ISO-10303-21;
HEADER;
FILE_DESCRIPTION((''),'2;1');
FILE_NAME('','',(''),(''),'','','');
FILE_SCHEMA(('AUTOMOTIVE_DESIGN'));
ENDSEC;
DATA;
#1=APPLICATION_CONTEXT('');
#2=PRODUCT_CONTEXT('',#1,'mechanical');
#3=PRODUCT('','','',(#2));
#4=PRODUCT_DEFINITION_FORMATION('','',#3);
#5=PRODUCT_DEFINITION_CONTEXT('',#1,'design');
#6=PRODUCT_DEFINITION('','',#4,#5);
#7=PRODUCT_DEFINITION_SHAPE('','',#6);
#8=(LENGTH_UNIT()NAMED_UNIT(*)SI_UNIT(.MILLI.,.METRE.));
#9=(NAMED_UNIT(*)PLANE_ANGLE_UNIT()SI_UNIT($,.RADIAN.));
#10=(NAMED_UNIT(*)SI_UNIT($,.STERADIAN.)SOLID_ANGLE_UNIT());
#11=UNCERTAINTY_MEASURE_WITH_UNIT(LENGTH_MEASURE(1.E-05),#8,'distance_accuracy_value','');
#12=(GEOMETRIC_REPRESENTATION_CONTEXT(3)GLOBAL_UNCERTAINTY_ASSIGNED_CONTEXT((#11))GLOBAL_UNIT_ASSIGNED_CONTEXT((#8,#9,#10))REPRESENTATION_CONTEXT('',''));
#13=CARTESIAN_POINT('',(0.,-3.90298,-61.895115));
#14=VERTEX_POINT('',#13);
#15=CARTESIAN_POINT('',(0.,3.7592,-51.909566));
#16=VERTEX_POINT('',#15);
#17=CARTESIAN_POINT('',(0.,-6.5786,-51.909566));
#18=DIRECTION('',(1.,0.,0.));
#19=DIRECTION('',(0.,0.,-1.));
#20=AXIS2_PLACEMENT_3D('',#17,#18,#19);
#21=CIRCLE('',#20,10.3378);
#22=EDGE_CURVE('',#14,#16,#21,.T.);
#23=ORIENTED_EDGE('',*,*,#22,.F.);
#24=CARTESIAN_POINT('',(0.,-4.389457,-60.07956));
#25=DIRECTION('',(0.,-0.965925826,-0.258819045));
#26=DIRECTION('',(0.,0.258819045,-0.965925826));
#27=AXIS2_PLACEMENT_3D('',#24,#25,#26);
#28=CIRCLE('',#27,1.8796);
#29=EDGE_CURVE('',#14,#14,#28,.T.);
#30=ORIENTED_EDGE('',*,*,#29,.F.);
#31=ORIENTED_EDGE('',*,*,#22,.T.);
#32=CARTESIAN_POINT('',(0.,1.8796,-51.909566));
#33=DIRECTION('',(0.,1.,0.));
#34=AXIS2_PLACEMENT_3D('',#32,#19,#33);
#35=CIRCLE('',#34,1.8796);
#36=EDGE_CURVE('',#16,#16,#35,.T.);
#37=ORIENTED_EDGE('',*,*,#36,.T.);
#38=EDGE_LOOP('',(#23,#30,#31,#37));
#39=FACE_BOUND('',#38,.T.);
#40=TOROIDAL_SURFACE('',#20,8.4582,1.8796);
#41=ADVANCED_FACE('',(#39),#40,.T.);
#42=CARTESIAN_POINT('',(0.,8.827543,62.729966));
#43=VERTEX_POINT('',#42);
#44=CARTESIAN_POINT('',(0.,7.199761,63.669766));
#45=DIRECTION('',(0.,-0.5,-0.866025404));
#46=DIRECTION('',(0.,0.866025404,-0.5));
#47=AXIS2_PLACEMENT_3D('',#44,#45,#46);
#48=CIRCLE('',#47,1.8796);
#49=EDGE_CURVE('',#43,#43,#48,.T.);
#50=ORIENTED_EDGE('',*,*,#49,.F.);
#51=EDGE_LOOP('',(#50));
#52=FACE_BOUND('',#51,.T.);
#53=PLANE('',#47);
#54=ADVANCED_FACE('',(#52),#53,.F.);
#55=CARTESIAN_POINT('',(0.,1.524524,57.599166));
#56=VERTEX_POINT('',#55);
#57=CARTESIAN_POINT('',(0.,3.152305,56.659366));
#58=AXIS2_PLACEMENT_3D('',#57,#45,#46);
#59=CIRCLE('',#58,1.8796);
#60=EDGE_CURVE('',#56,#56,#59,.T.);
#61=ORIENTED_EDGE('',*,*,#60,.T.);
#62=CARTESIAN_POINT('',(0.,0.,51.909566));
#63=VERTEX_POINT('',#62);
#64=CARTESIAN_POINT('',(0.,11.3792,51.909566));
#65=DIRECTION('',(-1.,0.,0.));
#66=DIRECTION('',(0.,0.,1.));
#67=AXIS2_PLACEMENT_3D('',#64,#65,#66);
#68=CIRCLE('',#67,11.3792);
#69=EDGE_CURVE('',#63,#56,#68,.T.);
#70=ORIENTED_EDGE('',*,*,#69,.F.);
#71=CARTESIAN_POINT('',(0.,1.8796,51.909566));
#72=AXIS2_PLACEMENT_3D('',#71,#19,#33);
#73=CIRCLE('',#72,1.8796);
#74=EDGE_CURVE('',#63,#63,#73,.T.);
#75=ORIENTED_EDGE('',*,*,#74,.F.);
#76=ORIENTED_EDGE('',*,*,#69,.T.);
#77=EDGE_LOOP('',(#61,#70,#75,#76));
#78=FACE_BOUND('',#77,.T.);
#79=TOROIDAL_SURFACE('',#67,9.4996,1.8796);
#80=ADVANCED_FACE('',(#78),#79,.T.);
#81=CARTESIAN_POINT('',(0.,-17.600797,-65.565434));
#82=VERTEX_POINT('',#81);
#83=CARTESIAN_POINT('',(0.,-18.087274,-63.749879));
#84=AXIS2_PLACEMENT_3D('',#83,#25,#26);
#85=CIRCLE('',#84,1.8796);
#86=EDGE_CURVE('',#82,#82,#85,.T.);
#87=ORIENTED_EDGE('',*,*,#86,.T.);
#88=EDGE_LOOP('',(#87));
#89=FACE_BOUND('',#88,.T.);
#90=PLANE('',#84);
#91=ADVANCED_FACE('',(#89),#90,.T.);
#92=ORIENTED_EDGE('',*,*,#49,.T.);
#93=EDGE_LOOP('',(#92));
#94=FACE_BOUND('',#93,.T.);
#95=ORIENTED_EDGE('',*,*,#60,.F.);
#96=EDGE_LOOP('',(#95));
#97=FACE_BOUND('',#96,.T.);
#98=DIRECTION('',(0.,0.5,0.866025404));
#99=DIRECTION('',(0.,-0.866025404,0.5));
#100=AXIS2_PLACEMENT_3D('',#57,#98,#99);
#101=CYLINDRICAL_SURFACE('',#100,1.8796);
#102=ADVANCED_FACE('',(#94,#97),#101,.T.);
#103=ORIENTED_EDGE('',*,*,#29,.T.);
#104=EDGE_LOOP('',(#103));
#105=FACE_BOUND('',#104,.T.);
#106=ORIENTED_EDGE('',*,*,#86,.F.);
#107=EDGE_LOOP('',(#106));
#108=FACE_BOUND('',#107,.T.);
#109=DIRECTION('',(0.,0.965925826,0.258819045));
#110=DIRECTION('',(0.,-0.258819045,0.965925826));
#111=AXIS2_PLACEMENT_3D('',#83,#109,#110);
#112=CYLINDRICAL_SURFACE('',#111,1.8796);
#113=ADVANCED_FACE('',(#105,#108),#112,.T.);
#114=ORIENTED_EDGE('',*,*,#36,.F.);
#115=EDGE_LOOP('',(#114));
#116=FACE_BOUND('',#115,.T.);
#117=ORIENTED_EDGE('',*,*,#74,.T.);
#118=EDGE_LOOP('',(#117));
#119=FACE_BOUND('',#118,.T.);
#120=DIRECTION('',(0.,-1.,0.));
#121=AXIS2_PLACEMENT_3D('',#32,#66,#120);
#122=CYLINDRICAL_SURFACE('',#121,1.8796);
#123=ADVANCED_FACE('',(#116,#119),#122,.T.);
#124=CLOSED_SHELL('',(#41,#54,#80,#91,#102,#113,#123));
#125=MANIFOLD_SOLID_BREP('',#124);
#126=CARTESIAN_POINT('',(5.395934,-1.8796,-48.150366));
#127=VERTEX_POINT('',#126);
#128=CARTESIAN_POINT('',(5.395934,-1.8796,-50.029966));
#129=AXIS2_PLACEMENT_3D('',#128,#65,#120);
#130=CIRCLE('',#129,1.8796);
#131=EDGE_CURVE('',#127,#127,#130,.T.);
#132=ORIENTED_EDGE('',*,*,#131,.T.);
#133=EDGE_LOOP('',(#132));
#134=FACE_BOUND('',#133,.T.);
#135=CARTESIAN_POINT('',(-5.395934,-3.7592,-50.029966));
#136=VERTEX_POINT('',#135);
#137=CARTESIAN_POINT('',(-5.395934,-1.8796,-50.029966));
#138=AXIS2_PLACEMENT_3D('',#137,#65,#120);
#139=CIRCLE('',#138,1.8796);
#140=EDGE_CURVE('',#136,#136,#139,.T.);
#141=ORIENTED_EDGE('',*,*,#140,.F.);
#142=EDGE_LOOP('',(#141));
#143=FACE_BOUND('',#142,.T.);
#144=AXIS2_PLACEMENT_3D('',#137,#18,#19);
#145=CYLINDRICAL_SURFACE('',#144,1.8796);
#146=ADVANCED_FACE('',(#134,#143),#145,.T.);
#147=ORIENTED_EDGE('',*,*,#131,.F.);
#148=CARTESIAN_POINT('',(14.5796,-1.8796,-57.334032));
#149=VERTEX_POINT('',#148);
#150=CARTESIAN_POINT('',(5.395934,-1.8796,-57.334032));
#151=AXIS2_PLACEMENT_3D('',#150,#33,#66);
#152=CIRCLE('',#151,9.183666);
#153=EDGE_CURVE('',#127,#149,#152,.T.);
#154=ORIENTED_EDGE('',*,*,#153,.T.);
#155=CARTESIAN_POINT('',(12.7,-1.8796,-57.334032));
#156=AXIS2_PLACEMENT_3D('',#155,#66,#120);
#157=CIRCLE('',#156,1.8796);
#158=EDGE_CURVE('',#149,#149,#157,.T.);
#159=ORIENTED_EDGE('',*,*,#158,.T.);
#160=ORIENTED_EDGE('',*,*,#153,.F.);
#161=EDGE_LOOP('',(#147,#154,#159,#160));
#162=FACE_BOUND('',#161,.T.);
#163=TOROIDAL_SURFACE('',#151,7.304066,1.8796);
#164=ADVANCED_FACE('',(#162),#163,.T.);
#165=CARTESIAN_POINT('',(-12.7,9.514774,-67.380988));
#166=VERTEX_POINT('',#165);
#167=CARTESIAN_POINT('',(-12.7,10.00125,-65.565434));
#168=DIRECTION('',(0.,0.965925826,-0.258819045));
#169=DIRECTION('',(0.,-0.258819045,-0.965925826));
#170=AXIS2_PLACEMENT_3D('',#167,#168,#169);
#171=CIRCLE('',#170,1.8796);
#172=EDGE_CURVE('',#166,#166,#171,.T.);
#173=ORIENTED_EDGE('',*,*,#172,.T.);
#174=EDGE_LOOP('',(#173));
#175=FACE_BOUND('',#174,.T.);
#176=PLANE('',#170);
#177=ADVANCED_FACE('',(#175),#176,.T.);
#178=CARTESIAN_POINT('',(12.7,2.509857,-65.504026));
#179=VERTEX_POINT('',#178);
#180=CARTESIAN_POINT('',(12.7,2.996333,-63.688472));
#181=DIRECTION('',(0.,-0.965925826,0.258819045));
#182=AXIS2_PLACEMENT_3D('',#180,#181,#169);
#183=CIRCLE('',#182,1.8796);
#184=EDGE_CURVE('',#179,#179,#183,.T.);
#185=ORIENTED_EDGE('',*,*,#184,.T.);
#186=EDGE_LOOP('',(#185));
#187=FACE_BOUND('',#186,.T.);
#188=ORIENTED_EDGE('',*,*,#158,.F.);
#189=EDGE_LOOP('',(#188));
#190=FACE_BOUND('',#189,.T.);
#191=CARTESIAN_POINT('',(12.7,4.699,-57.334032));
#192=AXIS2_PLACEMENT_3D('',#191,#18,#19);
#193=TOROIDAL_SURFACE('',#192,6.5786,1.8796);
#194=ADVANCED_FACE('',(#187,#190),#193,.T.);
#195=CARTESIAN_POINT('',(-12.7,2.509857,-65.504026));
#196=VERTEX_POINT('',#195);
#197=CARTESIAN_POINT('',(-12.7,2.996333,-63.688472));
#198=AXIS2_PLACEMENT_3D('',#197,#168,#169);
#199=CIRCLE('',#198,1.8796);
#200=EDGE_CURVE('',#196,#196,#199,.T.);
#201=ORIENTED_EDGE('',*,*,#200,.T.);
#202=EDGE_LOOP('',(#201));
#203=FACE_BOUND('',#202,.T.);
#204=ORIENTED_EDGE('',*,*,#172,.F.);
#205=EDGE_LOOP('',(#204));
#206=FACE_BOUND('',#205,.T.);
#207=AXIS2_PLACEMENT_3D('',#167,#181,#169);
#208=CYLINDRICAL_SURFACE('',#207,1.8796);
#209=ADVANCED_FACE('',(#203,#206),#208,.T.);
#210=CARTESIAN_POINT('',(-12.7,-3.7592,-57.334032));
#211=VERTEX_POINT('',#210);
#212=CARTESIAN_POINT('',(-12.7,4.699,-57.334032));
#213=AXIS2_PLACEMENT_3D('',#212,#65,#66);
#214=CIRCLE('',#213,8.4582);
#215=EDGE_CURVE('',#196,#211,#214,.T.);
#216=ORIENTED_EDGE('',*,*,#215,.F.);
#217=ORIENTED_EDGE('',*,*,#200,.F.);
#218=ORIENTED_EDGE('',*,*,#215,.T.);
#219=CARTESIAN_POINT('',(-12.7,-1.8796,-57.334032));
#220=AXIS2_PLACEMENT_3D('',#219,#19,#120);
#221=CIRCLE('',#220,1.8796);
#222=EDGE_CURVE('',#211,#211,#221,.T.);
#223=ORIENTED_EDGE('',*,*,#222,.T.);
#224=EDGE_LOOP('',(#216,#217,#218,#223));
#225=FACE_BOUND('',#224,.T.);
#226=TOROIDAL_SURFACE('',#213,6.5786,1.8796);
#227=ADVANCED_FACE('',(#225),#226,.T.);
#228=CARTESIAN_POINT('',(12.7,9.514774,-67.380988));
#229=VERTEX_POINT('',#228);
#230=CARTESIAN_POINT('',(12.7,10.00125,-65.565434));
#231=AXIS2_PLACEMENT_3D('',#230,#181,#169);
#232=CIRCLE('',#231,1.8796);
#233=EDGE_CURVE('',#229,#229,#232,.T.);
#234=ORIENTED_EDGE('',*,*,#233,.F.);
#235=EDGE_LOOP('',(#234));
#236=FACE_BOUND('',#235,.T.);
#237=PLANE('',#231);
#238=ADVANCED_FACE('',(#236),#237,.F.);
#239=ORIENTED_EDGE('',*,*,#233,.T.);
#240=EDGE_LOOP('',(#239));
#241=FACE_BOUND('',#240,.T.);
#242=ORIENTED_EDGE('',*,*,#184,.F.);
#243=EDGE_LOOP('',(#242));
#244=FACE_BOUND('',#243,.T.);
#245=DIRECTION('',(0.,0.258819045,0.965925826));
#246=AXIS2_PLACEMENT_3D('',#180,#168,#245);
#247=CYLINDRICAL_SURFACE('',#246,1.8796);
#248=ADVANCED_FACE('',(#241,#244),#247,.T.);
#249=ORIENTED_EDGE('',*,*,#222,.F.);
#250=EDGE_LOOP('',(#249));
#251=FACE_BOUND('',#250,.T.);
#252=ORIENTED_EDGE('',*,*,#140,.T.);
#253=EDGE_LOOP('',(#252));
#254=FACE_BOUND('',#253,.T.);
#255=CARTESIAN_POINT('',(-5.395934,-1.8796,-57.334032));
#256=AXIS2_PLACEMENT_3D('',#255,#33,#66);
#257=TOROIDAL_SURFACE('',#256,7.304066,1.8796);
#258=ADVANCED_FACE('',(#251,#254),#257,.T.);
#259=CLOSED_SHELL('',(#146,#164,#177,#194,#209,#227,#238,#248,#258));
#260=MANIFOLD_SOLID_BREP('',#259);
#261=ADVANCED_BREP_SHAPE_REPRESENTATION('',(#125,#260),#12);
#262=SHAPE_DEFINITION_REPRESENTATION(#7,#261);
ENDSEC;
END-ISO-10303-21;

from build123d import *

# Parameters (mm, degrees)
SKETCH11_R       = 1.8796
SWEEP2_PROFILE_R = 1.8796


with BuildPart() as part:
    # Sweep1: sweep along a path in Sketch3
    with BuildLine(Plane(origin=(0, 0, 0), x_dir=(0, 0, -1), z_dir=(1, 0, 0))) as sweep1_path:
        Line((61.934325135, -18.57375), (58.26400614, -4.87593303))
        ThreePointArc((58.26400614, -4.87593303), (55.914364436, -1.359445716), (51.909566499, 0))
        Line((51.909566499, 0), (-51.909566499, 0))
        ThreePointArc((-51.909566499, 0), (-54.854720177, 0.387736837), (-57.599166499, 1.524523725))
        Line((-57.599166499, 1.524523725), (-64.609566499, 5.571980052))
    # Sketch11 → Sweep1 (sweep)
    with BuildSketch(Plane(origin=(0, -32.813125956, -8.792250601), x_dir=(0, 0.25881904510251613, -0.9659258262890696), z_dir=(0, -0.9659258262890696, -0.25881904510251613))):
        with Locations((56.896323943, 0)):
            Circle(SKETCH11_R)
    sweep(path=sweep1_path.line)


with BuildPart() as body_2:
    # Sweep2: sweep along a curve in space
    with BuildLine() as sweep2_path:
        Line((-12.7, 10.00125, -65.565433501), (-12.7, 2.99633303, -63.688471656))
        ThreePointArc((-12.7, 2.99633303, -63.688471656), (-12.7, -0.520154284, -61.338829952), (-12.7, -1.8796, -57.334032015))
        ThreePointArc((-12.7, -1.8796, -57.334032015), (-10.560688741, -1.8796, -52.169277758), (-5.395934484, -1.8796, -50.029966499))
        Line((-5.395934484, -1.8796, -50.029966499), (5.395934484, -1.8796, -50.029966499))
        ThreePointArc((5.395934484, -1.8796, -50.029966499), (10.560688741, -1.8796, -52.169277758), (12.7, -1.8796, -57.334032015))
        ThreePointArc((12.7, -1.8796, -57.334032015), (12.7, -0.520154284, -61.338829952), (12.7, 2.99633303, -63.688471656))
        Line((12.7, 2.99633303, -63.688471656), (12.7, 10.00125, -65.565433501))
    # Sweep2 profile (on start of the path) → Sweep2 (sweep)
    with BuildSketch(Plane(origin=(-12.7, 10.00125, -65.565433501), x_dir=(0, -0.25881904510251724, -0.9659258262890693), z_dir=(0, -0.9659258262890693, 0.25881904510251724))):
        Circle(SWEEP2_PROFILE_R)
    sweep(path=sweep2_path.line)


solid = Compound([part.part, body_2.part])
